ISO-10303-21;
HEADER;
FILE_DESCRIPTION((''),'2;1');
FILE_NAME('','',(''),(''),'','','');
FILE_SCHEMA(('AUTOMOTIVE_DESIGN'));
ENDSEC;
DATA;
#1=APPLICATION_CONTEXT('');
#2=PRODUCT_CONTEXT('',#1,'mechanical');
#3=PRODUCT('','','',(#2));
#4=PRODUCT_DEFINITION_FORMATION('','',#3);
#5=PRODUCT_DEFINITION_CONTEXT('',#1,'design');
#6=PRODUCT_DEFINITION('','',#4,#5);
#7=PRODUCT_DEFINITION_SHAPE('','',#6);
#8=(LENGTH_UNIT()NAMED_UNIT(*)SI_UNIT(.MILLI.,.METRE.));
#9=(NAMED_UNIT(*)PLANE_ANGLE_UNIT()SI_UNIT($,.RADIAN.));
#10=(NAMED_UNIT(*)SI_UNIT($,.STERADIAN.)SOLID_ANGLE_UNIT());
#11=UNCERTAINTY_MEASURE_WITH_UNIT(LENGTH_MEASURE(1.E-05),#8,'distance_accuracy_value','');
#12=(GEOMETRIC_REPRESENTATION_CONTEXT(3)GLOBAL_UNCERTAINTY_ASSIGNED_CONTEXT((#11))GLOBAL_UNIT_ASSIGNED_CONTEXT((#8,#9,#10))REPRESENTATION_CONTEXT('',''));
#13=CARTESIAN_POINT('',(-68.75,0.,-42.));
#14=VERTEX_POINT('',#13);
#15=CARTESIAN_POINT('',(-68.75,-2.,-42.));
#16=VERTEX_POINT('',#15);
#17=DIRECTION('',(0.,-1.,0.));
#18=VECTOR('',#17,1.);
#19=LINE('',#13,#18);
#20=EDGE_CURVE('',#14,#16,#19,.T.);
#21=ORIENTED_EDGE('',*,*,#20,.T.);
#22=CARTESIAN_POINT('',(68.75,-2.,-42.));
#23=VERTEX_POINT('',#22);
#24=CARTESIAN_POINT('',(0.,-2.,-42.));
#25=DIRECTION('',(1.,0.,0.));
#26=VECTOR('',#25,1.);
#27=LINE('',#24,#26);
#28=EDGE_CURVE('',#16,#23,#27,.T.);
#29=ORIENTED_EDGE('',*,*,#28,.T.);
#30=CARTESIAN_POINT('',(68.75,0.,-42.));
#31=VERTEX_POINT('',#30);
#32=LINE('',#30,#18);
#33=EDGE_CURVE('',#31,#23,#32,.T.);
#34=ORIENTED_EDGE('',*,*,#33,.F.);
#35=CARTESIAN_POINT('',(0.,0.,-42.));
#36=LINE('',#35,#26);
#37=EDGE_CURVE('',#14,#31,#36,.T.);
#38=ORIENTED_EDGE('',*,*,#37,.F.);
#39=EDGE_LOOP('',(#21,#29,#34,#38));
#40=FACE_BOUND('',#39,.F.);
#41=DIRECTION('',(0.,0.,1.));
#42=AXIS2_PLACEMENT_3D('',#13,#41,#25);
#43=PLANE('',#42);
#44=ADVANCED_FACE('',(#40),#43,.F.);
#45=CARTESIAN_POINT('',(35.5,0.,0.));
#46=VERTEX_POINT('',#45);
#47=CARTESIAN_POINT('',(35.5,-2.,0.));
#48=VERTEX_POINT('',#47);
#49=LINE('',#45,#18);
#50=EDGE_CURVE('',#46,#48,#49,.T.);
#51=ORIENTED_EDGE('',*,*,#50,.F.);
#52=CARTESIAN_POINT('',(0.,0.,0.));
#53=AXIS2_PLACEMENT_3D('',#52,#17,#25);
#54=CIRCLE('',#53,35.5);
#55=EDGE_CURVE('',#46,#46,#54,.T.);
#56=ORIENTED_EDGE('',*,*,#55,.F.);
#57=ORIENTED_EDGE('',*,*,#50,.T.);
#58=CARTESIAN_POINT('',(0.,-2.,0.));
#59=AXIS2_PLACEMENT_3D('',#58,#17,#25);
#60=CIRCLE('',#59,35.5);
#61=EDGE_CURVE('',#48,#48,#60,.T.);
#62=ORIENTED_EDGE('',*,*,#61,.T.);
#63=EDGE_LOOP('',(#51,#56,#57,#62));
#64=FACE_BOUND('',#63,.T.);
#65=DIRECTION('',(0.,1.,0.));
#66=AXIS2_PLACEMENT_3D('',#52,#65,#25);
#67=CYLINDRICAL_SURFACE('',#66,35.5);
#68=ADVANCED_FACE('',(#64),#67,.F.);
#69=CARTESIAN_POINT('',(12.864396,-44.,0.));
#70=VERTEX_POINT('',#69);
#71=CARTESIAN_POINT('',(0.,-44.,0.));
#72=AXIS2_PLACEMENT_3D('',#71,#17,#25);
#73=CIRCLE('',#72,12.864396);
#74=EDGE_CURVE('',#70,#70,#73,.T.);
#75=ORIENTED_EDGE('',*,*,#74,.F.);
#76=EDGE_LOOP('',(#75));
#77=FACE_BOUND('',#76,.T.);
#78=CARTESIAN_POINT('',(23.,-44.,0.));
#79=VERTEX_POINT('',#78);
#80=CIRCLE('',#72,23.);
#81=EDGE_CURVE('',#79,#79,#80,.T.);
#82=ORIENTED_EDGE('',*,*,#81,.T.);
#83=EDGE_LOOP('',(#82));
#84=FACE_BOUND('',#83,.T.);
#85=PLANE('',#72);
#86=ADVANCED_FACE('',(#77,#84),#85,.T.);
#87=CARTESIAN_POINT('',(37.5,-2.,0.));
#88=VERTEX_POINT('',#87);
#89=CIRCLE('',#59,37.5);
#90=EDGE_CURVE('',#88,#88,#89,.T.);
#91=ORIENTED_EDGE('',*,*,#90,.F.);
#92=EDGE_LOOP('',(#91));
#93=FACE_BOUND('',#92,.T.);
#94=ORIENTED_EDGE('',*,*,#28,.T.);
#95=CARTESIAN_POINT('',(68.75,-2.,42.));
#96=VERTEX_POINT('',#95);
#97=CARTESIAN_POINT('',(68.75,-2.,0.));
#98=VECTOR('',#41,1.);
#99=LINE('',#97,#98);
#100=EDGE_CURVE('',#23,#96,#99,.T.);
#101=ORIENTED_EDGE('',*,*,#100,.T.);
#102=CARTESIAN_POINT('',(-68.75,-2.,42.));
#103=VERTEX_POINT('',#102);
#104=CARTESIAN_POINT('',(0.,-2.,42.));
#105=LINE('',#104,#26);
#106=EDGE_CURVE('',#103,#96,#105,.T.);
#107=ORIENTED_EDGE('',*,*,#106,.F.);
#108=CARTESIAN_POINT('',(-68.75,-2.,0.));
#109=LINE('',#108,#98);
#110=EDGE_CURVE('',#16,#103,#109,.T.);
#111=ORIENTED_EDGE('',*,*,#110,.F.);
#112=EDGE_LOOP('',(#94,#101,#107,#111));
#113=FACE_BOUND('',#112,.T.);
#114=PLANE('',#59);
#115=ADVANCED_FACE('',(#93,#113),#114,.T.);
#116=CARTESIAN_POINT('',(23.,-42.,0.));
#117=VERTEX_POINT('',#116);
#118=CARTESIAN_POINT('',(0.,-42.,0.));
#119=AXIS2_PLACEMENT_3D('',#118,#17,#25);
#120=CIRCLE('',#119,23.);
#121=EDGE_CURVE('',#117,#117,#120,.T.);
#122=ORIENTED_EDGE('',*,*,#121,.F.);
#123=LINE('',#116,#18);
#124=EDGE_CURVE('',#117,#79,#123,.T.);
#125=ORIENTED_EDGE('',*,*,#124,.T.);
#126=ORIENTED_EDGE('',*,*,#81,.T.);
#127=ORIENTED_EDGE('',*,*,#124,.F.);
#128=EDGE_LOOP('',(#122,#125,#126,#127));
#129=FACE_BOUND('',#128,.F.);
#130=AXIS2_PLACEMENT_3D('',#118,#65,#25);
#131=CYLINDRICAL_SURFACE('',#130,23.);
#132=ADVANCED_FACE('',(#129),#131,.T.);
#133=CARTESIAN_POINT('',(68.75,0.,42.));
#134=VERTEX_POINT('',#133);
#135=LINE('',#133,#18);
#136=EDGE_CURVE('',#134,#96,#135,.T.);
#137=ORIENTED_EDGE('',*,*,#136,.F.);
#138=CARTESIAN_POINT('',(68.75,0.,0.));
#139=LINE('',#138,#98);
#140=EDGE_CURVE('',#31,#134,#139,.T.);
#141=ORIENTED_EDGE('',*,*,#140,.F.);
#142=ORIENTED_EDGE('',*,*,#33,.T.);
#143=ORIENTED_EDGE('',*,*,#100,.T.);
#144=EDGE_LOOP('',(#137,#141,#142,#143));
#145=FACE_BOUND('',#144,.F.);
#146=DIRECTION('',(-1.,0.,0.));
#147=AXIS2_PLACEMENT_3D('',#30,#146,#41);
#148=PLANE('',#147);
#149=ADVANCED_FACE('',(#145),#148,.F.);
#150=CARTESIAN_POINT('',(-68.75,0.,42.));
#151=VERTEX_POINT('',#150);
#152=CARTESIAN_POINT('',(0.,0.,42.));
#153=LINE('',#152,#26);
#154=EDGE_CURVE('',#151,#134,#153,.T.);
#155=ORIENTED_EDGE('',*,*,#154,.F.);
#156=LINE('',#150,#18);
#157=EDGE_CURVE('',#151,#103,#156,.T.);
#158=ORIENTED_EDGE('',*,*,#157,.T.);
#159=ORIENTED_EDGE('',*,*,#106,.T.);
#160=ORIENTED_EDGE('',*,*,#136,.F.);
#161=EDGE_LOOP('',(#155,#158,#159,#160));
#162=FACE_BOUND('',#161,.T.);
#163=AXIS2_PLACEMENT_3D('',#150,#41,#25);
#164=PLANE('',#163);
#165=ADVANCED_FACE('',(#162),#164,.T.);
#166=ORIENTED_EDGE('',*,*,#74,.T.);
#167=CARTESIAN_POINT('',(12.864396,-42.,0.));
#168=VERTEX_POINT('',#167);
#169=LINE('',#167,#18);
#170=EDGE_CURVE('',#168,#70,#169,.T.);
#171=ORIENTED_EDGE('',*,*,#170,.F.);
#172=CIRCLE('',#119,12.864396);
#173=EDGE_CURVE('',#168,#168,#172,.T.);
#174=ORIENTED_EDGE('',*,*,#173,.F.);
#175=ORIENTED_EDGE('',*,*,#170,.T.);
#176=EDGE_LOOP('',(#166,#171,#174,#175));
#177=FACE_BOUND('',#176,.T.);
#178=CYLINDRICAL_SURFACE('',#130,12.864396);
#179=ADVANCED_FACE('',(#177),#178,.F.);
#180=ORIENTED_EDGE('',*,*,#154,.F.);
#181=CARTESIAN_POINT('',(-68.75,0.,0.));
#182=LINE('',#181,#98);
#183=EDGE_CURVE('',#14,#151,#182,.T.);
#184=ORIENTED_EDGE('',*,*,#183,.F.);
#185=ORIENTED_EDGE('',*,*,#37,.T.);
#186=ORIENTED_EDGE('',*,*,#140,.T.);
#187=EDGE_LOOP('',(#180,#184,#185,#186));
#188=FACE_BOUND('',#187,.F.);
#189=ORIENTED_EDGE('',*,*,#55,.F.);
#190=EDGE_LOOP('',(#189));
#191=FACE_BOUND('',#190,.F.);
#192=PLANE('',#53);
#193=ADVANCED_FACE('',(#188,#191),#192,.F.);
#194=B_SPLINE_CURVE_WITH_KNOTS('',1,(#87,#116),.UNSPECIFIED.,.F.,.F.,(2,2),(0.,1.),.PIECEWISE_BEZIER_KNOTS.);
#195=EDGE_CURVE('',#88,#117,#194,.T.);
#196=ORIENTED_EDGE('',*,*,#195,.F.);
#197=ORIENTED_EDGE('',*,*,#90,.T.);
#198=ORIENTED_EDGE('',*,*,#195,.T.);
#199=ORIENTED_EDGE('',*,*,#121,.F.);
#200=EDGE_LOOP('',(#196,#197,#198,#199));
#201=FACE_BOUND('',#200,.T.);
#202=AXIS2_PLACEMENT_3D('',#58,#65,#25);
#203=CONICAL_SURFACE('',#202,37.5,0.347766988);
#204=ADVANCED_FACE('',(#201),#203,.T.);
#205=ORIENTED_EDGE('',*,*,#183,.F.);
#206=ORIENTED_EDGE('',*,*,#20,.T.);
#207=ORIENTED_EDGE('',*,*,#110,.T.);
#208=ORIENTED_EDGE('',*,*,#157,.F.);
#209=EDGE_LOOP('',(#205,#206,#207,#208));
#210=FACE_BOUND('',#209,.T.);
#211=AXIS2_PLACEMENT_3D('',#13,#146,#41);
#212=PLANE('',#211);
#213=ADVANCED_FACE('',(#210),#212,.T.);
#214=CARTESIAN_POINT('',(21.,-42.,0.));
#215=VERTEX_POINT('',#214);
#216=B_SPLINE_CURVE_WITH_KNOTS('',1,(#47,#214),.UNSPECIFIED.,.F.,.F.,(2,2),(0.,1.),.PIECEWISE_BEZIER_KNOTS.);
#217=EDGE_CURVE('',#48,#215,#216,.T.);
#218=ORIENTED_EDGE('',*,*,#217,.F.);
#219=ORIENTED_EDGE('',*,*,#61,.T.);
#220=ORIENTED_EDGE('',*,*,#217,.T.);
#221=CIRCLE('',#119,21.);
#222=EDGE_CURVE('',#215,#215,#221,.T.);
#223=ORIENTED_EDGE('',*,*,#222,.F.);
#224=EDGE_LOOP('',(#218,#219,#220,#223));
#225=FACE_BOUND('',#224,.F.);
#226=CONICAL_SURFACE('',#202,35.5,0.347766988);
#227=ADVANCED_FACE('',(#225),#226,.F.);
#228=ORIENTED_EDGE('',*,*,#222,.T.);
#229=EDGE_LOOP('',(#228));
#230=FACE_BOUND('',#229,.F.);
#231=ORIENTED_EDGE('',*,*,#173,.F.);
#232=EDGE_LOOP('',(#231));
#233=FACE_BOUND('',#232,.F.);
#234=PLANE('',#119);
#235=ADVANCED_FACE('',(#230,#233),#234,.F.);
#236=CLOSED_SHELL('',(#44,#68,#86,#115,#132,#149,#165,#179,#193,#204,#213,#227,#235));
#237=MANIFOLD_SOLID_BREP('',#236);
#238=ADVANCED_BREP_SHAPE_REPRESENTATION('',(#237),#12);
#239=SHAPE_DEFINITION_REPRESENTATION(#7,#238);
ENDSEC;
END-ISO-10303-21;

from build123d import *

# Parameters (mm, degrees)
F0_W      = 137.5
F0_H      = 84
F0_R      = 35.5
F1_DEPTH  = 2
F2_R      = 37.5
F4_R      = 23
F6_R      = 35.5
F7_R      = 21
F9_R      = 23
F9_R_2    = 12.864396
F10_DEPTH = 2


with BuildPart() as f1:
    # F0 (on Front) → F1 (new body)
    with BuildSketch(Plane.XZ):
        Rectangle(F0_W, F0_H)
        Circle(F0_R, mode=Mode.SUBTRACT)
    extrude(amount=F1_DEPTH)

    # F2 (on face) → F5 section 0
    with BuildSketch(Plane.XZ.offset(2)):
        Circle(F2_R)
    # F4 (on offset) → F5 section 1
    with BuildSketch(Plane.XZ.offset(42)):
        Circle(F4_R)
    loft()

    # F6 (on face) → F8 section 0
    with BuildSketch(Plane.XZ.offset(2)):
        Circle(F6_R)
    # F7 (on face) → F8 section 1
    with BuildSketch(Plane.XZ.offset(42)):
        Circle(F7_R)
    loft(mode=Mode.SUBTRACT)

    # F9 (on offset) → F10 (join)
    with BuildSketch(Plane.XZ.offset(42)):
        Circle(F9_R)
        Circle(F9_R_2, mode=Mode.SUBTRACT)
    extrude(amount=F10_DEPTH)


solid = f1.part
